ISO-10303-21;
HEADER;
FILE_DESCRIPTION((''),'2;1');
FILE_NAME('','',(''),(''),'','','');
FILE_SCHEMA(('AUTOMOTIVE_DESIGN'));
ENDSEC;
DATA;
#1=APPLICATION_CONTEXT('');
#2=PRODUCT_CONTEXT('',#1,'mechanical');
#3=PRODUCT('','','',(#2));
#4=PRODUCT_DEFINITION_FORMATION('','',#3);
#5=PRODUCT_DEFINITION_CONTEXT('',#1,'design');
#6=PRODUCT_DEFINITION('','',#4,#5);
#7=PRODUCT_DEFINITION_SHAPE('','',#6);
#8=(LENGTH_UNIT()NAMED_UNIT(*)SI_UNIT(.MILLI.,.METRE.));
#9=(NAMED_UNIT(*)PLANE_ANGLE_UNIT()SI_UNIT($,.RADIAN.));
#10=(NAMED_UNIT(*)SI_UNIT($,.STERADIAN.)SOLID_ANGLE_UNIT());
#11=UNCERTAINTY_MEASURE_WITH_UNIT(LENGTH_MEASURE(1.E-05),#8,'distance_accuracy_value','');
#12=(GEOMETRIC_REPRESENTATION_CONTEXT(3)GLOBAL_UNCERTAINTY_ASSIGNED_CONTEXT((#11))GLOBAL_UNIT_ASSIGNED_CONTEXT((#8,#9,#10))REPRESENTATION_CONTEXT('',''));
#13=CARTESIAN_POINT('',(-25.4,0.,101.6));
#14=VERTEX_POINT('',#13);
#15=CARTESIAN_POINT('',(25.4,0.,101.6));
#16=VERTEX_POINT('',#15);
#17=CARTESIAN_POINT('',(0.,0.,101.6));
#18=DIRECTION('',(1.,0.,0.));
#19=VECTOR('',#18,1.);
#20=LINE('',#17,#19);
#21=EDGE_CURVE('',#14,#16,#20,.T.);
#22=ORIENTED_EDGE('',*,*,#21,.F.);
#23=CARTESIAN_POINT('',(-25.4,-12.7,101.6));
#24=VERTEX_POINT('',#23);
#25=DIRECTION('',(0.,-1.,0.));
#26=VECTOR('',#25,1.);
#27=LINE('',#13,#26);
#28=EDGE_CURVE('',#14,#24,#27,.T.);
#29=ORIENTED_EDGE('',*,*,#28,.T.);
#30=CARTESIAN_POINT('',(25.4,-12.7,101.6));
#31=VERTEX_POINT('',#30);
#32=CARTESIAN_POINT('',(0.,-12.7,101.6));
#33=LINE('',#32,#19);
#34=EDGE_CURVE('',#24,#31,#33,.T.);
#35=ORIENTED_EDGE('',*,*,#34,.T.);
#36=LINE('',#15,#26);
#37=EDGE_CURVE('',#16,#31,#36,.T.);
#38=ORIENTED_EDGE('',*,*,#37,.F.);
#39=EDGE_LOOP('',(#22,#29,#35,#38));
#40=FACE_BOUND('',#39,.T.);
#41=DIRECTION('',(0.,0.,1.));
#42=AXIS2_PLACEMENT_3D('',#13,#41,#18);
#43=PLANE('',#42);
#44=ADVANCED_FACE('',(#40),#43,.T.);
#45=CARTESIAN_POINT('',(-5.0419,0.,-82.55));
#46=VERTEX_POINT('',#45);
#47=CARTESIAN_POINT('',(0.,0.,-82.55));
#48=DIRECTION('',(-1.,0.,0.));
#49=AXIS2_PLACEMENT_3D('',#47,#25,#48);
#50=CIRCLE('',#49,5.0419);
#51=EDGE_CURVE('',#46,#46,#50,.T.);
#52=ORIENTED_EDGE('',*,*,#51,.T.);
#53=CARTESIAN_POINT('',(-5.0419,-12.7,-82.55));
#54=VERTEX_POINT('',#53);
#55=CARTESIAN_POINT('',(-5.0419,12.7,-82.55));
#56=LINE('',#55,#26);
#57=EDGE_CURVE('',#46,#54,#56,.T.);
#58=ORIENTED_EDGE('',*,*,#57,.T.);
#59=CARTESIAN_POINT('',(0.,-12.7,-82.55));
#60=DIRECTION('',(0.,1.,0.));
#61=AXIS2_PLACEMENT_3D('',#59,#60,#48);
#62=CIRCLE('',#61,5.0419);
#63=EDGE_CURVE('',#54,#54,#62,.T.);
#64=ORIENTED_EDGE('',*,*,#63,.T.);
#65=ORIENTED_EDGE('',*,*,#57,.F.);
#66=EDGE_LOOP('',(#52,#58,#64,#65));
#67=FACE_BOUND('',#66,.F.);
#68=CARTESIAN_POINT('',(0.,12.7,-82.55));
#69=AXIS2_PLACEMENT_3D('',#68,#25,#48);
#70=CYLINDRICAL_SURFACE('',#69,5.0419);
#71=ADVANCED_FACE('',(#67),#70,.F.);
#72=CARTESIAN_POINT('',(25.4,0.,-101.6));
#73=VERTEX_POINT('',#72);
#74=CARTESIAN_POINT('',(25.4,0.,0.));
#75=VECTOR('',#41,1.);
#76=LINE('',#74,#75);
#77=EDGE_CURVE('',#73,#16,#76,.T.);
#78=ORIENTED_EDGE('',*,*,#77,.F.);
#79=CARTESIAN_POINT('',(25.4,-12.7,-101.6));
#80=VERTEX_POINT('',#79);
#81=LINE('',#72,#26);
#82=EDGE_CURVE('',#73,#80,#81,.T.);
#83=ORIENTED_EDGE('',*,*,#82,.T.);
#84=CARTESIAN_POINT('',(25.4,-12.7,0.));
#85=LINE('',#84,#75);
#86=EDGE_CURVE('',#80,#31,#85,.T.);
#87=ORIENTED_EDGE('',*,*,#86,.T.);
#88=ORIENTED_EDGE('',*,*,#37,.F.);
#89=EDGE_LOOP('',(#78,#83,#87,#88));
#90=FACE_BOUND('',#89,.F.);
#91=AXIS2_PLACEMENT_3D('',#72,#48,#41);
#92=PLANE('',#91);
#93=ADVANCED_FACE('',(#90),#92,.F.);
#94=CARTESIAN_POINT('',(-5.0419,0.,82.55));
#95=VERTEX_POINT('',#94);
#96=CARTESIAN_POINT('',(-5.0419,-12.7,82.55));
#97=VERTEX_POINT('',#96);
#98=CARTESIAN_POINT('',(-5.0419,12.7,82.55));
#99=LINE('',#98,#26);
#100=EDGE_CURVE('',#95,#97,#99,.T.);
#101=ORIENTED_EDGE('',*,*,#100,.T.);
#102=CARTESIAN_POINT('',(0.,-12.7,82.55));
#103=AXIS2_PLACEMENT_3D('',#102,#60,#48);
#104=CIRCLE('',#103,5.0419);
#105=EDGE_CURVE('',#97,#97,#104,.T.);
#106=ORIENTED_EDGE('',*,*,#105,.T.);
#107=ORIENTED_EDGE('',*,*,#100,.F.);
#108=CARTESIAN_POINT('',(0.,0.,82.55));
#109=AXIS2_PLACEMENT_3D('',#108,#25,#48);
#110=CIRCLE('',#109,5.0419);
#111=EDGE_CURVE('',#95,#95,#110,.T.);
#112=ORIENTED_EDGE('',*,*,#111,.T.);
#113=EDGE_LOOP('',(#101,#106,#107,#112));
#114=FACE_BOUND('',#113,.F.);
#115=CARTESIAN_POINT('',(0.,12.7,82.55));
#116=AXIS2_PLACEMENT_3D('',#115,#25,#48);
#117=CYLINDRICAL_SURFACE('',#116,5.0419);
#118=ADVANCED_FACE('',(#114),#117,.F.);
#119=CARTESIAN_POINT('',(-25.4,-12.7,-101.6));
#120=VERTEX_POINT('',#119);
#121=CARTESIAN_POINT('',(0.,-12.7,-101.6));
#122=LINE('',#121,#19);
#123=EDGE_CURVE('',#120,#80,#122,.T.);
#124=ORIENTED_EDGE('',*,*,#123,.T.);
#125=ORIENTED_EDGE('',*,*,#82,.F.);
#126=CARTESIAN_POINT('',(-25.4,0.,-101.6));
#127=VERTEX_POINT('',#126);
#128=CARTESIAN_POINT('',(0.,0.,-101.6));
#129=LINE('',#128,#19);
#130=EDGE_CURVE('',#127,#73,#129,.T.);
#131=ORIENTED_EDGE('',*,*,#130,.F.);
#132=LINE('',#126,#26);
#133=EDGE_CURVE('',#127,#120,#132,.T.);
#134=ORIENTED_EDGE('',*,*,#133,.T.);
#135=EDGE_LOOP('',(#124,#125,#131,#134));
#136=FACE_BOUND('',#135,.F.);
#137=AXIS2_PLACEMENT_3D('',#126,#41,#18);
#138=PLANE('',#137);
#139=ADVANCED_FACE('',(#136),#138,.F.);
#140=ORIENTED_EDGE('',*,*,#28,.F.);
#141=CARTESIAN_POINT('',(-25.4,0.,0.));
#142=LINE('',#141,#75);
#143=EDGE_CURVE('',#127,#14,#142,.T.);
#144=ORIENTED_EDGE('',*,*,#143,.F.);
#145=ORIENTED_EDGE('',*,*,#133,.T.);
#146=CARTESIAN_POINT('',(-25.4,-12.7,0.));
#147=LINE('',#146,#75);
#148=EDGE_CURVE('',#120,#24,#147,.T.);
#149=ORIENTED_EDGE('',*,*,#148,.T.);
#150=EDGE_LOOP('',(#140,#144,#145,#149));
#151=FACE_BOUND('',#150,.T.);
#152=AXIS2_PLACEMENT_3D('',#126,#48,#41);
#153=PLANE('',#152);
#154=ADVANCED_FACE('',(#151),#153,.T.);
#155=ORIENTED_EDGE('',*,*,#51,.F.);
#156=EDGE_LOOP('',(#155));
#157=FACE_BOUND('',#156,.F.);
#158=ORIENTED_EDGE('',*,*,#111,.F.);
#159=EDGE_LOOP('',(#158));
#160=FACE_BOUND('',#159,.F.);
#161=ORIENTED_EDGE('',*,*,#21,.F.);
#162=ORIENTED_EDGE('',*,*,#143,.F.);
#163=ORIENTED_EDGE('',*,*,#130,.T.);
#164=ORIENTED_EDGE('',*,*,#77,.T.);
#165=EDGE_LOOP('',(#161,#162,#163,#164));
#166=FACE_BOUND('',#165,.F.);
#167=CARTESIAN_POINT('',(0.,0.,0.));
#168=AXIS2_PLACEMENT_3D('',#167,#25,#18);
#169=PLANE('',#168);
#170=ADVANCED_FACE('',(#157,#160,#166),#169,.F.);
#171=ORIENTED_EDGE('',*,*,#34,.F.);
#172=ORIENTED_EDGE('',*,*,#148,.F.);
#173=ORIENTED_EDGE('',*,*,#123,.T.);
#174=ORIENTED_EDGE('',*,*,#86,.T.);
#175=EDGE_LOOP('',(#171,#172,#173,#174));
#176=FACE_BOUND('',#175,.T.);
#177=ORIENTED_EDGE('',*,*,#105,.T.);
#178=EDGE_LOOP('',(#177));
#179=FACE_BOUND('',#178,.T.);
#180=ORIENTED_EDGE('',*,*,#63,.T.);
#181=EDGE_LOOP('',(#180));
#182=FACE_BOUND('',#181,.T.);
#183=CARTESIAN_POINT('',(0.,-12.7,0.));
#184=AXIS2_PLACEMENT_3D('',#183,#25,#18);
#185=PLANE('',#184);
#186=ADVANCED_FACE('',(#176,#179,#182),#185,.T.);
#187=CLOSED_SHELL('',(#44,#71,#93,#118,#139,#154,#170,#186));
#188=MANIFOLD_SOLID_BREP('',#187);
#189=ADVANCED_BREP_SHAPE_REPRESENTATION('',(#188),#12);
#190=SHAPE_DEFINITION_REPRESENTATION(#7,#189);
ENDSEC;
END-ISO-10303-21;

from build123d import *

# Parameters (mm, degrees)
F0_W     = 50.8
F0_H     = 203.2
F1_DEPTH = 12.7
F2_D     = 10.0838
F2_DEPTH = 12.7
F2_TIP   = 3.0294791551


with BuildPart() as f1:
    # F0 (on Front) → F1 (new body)
    with BuildSketch(Plane.XZ):
        Rectangle(F0_W, F0_H)
    extrude(amount=F1_DEPTH)

    # F2
    with Locations(Plane(origin=(0, 0, 0), x_dir=(1, 0, 0), z_dir=(0, 1, 0))):
        with Locations((0, -82.55), (0, 82.55)):
            Hole(F2_D / 2, depth=F2_DEPTH)
            with Locations((0, 0, -(F2_DEPTH + F2_TIP / 2))):  # 118° drill point
                Cone(0, F2_D / 2, F2_TIP, mode=Mode.SUBTRACT)


solid = f1.part
